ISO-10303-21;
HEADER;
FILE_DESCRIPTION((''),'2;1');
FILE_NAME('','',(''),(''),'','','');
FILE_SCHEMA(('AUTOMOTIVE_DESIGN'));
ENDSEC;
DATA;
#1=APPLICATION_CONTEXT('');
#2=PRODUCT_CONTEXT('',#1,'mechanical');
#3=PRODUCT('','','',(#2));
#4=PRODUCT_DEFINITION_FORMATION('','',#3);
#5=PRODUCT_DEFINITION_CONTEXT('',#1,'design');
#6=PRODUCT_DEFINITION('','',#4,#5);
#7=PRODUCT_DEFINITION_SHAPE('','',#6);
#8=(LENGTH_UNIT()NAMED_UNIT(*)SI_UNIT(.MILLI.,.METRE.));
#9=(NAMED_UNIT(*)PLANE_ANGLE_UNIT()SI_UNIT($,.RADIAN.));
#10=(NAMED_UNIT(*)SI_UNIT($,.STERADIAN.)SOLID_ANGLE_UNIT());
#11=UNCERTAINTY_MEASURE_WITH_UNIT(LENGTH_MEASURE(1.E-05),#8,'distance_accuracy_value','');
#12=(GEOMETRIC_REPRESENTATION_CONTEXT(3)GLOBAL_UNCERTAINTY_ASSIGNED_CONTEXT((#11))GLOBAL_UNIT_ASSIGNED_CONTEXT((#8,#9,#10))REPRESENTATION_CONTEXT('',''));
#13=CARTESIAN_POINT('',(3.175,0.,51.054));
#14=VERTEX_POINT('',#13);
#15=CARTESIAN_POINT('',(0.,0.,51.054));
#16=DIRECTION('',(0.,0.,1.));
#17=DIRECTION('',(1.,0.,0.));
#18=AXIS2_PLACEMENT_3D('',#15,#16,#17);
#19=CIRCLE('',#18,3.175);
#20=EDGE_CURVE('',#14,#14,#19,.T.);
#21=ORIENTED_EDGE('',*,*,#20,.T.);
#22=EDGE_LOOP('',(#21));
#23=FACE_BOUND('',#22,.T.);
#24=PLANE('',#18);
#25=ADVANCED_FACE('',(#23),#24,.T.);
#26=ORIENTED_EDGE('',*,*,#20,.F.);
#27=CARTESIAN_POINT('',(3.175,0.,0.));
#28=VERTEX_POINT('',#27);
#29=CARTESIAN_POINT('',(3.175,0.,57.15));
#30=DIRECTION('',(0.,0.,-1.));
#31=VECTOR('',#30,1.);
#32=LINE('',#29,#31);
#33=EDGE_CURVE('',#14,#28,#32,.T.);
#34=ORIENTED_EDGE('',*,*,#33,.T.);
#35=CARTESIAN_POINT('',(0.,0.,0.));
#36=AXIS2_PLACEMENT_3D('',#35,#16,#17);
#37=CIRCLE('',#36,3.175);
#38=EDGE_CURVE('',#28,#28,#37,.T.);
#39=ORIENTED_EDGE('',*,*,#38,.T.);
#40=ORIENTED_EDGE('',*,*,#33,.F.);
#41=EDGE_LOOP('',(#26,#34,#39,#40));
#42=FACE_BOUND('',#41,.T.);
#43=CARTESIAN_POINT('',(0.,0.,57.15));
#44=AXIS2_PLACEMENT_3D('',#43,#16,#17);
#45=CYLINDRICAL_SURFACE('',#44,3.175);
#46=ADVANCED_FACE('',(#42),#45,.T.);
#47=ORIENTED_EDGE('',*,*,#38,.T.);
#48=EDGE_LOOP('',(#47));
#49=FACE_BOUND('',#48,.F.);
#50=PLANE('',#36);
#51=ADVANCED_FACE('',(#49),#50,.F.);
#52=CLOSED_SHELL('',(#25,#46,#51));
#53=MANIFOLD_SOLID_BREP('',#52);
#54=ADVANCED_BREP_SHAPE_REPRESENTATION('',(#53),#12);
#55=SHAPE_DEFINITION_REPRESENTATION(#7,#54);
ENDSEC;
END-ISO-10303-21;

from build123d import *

# Parameters (mm, degrees)
F0_R     = 3.175
F1_DEPTH = 57.15
F2_DEPTH = 2.54
F3_DEPTH = 3.81
F4_DEPTH = 2.286


with BuildPart() as f1:
    # F0 (on Top) → F1 (new body)
    with BuildSketch(Plane.XY):
        Circle(F0_R)
    extrude(amount=F1_DEPTH)

    # F2 (add): a face of the model
    f2_faces = [f1.faces().sort_by_distance(p)[0] for p in [
        (0, 0, 57.15),
    ]]
    extrude(f2_faces, amount=-F2_DEPTH)

    # F3 (cut): a face of the model
    f3_faces = [f1.faces().sort_by_distance(p)[0] for p in [
        (0, 0, 57.15),
    ]]
    extrude(f3_faces, amount=-F3_DEPTH, mode=Mode.SUBTRACT)

    # F4 (cut): a face of the model
    f4_faces = [f1.faces().sort_by_distance(p)[0] for p in [
        (0, 0, 53.34),
    ]]
    extrude(f4_faces, amount=-F4_DEPTH, mode=Mode.SUBTRACT)


solid = f1.part
